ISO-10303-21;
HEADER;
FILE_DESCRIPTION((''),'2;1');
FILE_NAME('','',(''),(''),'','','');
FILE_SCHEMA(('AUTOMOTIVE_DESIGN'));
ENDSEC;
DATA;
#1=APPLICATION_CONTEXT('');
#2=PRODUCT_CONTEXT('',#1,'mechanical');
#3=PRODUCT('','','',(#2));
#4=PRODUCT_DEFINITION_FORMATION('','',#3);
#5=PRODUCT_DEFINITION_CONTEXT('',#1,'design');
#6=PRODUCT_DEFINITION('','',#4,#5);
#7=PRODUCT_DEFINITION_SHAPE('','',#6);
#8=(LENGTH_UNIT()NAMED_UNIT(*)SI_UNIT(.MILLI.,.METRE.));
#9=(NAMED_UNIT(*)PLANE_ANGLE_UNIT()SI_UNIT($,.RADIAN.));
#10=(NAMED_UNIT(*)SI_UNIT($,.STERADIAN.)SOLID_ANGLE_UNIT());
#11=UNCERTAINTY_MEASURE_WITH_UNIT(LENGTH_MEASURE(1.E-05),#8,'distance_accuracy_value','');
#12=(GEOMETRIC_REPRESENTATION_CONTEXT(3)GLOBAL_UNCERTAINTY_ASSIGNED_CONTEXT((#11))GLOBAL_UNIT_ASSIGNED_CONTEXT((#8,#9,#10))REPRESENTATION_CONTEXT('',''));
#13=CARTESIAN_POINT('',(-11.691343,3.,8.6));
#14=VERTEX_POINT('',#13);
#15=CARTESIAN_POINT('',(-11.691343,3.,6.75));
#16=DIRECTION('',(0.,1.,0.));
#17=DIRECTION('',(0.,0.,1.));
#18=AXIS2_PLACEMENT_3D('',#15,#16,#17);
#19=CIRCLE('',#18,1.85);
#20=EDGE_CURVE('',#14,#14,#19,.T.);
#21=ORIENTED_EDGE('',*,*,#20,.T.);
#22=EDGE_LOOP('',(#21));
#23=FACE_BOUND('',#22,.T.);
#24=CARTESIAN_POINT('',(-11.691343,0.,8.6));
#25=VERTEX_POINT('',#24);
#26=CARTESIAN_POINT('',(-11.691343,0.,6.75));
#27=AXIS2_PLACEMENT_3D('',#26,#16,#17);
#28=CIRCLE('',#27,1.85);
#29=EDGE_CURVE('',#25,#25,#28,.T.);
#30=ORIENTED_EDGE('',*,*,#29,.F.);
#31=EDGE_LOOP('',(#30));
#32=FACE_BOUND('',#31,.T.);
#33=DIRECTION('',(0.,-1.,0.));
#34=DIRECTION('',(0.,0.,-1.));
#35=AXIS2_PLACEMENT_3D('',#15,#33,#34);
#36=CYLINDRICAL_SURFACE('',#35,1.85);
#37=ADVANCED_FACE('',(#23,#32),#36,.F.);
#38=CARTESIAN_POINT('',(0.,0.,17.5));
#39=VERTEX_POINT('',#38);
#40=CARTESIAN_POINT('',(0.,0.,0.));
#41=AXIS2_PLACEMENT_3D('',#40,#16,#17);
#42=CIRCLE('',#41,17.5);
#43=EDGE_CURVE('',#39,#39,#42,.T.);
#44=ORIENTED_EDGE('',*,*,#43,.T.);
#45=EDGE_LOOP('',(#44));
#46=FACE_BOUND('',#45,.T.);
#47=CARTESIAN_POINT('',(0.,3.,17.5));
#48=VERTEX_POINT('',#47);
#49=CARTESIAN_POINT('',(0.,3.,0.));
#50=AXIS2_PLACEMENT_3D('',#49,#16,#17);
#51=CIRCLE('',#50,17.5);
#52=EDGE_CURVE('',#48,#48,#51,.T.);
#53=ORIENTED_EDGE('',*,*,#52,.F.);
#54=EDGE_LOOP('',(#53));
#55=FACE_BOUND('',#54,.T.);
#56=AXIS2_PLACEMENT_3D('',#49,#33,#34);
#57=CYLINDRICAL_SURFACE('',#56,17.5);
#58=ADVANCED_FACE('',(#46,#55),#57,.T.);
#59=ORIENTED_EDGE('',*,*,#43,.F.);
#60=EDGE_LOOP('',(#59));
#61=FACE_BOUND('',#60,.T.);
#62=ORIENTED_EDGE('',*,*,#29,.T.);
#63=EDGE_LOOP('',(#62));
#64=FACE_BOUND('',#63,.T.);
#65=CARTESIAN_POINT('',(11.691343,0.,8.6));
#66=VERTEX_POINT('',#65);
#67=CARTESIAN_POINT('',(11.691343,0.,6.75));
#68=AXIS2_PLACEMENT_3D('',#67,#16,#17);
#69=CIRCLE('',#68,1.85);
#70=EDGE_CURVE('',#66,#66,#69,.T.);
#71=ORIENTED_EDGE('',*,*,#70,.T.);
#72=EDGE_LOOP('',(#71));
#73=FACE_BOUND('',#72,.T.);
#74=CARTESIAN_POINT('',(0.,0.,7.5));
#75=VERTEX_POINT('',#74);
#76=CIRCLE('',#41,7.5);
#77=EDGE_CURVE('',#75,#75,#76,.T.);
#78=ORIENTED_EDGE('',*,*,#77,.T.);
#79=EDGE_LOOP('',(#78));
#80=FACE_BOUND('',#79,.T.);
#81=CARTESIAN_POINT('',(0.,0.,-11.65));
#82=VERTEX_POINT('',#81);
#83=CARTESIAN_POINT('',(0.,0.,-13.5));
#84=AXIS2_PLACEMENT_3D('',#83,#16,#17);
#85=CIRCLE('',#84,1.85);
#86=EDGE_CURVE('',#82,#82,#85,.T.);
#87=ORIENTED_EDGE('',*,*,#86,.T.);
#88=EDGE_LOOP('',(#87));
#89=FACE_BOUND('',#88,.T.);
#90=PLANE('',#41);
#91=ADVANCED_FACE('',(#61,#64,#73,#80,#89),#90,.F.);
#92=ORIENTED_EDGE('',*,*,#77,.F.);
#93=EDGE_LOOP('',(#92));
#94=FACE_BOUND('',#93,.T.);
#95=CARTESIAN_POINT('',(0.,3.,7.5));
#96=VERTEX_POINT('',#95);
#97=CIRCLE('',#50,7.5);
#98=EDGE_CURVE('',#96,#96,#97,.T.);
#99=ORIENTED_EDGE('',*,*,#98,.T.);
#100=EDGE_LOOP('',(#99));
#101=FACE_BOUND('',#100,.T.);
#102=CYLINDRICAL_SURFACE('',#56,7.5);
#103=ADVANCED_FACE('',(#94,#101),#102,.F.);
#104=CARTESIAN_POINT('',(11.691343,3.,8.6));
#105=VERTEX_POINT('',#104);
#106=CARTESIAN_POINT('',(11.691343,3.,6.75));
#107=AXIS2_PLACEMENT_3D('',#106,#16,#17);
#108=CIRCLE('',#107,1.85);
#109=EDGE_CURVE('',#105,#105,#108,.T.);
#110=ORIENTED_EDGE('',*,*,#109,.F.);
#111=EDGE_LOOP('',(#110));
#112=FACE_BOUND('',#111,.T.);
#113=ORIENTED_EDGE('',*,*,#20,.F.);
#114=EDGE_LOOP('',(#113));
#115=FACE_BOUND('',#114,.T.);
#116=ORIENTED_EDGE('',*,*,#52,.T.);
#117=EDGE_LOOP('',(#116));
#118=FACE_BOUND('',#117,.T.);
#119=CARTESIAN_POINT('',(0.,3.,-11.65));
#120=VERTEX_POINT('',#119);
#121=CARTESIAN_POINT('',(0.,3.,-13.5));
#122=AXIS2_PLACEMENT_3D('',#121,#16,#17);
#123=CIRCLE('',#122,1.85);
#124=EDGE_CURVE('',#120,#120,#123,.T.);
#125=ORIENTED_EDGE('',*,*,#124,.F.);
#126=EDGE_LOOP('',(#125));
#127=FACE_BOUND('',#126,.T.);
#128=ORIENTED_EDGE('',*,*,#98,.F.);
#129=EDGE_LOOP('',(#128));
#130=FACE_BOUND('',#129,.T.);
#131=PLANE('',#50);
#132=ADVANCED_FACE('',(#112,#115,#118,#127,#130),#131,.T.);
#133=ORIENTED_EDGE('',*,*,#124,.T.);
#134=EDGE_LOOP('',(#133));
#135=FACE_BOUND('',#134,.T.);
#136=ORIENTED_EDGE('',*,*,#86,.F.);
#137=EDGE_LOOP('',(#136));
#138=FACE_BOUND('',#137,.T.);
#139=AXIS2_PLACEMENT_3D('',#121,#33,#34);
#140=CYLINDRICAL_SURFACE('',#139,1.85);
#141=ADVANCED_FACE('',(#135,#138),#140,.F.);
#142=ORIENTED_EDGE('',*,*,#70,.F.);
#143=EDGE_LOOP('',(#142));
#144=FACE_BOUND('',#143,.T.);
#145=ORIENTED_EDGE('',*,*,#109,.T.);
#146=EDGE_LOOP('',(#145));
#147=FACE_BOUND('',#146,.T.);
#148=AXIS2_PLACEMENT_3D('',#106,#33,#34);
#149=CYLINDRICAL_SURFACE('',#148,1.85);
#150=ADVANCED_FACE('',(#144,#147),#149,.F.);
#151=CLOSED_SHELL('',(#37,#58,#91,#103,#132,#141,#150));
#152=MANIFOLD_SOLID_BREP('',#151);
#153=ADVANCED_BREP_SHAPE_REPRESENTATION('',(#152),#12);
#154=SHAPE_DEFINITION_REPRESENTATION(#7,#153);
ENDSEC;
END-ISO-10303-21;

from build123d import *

# Parameters (mm, degrees)
SKETCH_1_R      = 17.5
SKETCH_1_R_2    = 1.85
SKETCH_1_R_3    = 7.5
EXTRUDE_1_DEPTH = 3


with BuildPart() as part:
    # 草图1 → 凸台-拉伸1 (new body)
    with BuildSketch(Plane(origin=(0, 0, 0), x_dir=(1, 0, 0), z_dir=(0, 1, 0))):
        with Locations(Location((0, 0, 0), (0, 0, 270))):
            Circle(SKETCH_1_R)
        with Locations(Location((0, 13.5, 0), (0, 0, 270))):
            Circle(SKETCH_1_R_2, mode=Mode.SUBTRACT)
        with Locations(Location((11.691342951, -6.75, 0), (0, 0, 270))):
            Circle(SKETCH_1_R_2, mode=Mode.SUBTRACT)
        with Locations(Location((-11.691342951, -6.75, 0), (0, 0, 270))):
            Circle(SKETCH_1_R_2, mode=Mode.SUBTRACT)
        with Locations(Location((0, 0, 0), (0, 0, 270))):
            Circle(SKETCH_1_R_3, mode=Mode.SUBTRACT)
    extrude(amount=EXTRUDE_1_DEPTH)


solid = part.part
